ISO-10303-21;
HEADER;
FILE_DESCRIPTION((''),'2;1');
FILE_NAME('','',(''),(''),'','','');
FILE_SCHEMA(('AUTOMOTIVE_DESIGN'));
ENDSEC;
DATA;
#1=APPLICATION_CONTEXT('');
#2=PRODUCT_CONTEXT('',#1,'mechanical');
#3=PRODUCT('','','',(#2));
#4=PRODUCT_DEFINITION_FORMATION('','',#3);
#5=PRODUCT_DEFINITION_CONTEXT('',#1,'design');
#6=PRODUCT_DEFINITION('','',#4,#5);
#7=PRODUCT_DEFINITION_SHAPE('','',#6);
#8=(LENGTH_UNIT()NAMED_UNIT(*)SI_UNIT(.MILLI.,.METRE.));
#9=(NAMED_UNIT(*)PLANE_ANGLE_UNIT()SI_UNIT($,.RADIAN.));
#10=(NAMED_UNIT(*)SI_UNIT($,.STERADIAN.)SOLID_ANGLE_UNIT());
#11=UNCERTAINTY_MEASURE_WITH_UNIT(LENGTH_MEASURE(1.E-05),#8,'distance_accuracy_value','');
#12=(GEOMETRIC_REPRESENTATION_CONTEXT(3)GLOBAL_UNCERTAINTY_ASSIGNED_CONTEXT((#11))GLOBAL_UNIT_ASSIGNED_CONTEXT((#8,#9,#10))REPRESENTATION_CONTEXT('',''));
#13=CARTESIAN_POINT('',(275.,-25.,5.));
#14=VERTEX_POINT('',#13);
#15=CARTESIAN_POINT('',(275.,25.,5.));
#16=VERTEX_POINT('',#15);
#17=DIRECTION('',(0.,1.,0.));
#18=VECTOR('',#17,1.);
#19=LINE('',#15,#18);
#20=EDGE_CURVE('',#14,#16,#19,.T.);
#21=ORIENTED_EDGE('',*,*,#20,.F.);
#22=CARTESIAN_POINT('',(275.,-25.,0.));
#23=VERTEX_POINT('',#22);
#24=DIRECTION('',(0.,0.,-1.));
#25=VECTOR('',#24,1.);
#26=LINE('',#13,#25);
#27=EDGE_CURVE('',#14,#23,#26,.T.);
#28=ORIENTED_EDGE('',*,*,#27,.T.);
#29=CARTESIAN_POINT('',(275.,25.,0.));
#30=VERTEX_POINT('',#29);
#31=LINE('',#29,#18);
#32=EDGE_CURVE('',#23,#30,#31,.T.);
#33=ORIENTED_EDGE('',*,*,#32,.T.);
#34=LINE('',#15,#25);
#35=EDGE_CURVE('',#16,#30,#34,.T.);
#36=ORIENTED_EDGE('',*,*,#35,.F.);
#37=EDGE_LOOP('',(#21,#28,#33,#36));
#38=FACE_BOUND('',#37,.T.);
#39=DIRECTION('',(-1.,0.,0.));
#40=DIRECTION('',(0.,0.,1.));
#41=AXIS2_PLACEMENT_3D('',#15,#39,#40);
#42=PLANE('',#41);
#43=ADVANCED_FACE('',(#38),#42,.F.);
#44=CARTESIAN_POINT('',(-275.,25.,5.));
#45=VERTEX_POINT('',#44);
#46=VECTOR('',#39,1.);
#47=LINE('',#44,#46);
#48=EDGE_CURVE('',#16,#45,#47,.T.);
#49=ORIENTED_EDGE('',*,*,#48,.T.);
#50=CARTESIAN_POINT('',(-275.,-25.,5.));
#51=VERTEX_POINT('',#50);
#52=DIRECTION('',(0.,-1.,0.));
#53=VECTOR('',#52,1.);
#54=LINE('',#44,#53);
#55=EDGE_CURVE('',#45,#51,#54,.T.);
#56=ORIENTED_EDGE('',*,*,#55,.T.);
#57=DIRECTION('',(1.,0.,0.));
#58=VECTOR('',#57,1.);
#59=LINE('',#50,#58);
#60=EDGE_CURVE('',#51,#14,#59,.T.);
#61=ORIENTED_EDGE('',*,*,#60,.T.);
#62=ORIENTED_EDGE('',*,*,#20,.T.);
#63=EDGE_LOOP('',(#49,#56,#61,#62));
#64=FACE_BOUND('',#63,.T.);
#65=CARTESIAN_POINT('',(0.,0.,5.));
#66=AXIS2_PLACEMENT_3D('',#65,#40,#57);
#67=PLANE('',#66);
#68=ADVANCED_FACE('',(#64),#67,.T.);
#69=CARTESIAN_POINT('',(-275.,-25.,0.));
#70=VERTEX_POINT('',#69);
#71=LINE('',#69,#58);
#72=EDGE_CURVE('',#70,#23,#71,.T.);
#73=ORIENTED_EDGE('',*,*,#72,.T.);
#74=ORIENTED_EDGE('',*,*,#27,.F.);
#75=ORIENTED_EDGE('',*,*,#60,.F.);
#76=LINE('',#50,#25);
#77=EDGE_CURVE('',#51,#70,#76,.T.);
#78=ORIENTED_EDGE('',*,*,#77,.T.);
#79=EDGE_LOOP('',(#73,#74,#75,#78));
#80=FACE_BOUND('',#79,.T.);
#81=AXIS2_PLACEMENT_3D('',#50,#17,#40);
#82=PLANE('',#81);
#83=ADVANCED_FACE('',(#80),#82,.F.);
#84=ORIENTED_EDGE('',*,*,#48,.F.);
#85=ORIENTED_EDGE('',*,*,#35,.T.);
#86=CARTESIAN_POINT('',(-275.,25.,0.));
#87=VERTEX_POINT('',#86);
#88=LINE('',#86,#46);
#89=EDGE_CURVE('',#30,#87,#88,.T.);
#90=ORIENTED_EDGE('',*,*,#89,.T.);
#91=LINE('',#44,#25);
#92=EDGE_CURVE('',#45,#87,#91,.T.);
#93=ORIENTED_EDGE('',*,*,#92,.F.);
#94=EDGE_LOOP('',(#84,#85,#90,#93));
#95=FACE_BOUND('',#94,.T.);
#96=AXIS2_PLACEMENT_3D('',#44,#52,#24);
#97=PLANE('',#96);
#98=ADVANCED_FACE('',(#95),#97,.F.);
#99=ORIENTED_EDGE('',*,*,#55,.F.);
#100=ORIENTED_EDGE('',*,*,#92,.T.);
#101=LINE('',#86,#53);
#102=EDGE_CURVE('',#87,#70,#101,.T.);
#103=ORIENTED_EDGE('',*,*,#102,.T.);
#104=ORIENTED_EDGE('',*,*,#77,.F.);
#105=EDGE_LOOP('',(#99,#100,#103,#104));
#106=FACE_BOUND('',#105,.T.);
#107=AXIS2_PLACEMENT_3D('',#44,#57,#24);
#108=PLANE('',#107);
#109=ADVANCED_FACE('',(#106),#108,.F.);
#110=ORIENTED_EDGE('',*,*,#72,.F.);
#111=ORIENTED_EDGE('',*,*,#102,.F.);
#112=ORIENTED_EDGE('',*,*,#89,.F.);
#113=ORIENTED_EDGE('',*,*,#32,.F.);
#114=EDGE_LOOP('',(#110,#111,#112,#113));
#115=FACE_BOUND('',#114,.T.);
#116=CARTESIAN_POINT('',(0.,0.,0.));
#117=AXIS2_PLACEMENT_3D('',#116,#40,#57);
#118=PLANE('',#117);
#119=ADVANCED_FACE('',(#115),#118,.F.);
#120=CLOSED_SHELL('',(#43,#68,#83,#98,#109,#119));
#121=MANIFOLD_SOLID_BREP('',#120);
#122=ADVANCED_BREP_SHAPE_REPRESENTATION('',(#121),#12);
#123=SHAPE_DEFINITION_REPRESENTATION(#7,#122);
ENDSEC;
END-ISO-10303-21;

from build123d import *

# Parameters (mm, degrees)
SKETCH1_W           = 550
SKETCH1_H           = 50
BOSS_EXTRUDE1_DEPTH = 5


with BuildPart() as part:
    # Sketch1 → Boss-Extrude1 (new body)
    with BuildSketch(Plane.XY):
        Rectangle(SKETCH1_W, SKETCH1_H)
    extrude(amount=BOSS_EXTRUDE1_DEPTH)


solid = part.part
